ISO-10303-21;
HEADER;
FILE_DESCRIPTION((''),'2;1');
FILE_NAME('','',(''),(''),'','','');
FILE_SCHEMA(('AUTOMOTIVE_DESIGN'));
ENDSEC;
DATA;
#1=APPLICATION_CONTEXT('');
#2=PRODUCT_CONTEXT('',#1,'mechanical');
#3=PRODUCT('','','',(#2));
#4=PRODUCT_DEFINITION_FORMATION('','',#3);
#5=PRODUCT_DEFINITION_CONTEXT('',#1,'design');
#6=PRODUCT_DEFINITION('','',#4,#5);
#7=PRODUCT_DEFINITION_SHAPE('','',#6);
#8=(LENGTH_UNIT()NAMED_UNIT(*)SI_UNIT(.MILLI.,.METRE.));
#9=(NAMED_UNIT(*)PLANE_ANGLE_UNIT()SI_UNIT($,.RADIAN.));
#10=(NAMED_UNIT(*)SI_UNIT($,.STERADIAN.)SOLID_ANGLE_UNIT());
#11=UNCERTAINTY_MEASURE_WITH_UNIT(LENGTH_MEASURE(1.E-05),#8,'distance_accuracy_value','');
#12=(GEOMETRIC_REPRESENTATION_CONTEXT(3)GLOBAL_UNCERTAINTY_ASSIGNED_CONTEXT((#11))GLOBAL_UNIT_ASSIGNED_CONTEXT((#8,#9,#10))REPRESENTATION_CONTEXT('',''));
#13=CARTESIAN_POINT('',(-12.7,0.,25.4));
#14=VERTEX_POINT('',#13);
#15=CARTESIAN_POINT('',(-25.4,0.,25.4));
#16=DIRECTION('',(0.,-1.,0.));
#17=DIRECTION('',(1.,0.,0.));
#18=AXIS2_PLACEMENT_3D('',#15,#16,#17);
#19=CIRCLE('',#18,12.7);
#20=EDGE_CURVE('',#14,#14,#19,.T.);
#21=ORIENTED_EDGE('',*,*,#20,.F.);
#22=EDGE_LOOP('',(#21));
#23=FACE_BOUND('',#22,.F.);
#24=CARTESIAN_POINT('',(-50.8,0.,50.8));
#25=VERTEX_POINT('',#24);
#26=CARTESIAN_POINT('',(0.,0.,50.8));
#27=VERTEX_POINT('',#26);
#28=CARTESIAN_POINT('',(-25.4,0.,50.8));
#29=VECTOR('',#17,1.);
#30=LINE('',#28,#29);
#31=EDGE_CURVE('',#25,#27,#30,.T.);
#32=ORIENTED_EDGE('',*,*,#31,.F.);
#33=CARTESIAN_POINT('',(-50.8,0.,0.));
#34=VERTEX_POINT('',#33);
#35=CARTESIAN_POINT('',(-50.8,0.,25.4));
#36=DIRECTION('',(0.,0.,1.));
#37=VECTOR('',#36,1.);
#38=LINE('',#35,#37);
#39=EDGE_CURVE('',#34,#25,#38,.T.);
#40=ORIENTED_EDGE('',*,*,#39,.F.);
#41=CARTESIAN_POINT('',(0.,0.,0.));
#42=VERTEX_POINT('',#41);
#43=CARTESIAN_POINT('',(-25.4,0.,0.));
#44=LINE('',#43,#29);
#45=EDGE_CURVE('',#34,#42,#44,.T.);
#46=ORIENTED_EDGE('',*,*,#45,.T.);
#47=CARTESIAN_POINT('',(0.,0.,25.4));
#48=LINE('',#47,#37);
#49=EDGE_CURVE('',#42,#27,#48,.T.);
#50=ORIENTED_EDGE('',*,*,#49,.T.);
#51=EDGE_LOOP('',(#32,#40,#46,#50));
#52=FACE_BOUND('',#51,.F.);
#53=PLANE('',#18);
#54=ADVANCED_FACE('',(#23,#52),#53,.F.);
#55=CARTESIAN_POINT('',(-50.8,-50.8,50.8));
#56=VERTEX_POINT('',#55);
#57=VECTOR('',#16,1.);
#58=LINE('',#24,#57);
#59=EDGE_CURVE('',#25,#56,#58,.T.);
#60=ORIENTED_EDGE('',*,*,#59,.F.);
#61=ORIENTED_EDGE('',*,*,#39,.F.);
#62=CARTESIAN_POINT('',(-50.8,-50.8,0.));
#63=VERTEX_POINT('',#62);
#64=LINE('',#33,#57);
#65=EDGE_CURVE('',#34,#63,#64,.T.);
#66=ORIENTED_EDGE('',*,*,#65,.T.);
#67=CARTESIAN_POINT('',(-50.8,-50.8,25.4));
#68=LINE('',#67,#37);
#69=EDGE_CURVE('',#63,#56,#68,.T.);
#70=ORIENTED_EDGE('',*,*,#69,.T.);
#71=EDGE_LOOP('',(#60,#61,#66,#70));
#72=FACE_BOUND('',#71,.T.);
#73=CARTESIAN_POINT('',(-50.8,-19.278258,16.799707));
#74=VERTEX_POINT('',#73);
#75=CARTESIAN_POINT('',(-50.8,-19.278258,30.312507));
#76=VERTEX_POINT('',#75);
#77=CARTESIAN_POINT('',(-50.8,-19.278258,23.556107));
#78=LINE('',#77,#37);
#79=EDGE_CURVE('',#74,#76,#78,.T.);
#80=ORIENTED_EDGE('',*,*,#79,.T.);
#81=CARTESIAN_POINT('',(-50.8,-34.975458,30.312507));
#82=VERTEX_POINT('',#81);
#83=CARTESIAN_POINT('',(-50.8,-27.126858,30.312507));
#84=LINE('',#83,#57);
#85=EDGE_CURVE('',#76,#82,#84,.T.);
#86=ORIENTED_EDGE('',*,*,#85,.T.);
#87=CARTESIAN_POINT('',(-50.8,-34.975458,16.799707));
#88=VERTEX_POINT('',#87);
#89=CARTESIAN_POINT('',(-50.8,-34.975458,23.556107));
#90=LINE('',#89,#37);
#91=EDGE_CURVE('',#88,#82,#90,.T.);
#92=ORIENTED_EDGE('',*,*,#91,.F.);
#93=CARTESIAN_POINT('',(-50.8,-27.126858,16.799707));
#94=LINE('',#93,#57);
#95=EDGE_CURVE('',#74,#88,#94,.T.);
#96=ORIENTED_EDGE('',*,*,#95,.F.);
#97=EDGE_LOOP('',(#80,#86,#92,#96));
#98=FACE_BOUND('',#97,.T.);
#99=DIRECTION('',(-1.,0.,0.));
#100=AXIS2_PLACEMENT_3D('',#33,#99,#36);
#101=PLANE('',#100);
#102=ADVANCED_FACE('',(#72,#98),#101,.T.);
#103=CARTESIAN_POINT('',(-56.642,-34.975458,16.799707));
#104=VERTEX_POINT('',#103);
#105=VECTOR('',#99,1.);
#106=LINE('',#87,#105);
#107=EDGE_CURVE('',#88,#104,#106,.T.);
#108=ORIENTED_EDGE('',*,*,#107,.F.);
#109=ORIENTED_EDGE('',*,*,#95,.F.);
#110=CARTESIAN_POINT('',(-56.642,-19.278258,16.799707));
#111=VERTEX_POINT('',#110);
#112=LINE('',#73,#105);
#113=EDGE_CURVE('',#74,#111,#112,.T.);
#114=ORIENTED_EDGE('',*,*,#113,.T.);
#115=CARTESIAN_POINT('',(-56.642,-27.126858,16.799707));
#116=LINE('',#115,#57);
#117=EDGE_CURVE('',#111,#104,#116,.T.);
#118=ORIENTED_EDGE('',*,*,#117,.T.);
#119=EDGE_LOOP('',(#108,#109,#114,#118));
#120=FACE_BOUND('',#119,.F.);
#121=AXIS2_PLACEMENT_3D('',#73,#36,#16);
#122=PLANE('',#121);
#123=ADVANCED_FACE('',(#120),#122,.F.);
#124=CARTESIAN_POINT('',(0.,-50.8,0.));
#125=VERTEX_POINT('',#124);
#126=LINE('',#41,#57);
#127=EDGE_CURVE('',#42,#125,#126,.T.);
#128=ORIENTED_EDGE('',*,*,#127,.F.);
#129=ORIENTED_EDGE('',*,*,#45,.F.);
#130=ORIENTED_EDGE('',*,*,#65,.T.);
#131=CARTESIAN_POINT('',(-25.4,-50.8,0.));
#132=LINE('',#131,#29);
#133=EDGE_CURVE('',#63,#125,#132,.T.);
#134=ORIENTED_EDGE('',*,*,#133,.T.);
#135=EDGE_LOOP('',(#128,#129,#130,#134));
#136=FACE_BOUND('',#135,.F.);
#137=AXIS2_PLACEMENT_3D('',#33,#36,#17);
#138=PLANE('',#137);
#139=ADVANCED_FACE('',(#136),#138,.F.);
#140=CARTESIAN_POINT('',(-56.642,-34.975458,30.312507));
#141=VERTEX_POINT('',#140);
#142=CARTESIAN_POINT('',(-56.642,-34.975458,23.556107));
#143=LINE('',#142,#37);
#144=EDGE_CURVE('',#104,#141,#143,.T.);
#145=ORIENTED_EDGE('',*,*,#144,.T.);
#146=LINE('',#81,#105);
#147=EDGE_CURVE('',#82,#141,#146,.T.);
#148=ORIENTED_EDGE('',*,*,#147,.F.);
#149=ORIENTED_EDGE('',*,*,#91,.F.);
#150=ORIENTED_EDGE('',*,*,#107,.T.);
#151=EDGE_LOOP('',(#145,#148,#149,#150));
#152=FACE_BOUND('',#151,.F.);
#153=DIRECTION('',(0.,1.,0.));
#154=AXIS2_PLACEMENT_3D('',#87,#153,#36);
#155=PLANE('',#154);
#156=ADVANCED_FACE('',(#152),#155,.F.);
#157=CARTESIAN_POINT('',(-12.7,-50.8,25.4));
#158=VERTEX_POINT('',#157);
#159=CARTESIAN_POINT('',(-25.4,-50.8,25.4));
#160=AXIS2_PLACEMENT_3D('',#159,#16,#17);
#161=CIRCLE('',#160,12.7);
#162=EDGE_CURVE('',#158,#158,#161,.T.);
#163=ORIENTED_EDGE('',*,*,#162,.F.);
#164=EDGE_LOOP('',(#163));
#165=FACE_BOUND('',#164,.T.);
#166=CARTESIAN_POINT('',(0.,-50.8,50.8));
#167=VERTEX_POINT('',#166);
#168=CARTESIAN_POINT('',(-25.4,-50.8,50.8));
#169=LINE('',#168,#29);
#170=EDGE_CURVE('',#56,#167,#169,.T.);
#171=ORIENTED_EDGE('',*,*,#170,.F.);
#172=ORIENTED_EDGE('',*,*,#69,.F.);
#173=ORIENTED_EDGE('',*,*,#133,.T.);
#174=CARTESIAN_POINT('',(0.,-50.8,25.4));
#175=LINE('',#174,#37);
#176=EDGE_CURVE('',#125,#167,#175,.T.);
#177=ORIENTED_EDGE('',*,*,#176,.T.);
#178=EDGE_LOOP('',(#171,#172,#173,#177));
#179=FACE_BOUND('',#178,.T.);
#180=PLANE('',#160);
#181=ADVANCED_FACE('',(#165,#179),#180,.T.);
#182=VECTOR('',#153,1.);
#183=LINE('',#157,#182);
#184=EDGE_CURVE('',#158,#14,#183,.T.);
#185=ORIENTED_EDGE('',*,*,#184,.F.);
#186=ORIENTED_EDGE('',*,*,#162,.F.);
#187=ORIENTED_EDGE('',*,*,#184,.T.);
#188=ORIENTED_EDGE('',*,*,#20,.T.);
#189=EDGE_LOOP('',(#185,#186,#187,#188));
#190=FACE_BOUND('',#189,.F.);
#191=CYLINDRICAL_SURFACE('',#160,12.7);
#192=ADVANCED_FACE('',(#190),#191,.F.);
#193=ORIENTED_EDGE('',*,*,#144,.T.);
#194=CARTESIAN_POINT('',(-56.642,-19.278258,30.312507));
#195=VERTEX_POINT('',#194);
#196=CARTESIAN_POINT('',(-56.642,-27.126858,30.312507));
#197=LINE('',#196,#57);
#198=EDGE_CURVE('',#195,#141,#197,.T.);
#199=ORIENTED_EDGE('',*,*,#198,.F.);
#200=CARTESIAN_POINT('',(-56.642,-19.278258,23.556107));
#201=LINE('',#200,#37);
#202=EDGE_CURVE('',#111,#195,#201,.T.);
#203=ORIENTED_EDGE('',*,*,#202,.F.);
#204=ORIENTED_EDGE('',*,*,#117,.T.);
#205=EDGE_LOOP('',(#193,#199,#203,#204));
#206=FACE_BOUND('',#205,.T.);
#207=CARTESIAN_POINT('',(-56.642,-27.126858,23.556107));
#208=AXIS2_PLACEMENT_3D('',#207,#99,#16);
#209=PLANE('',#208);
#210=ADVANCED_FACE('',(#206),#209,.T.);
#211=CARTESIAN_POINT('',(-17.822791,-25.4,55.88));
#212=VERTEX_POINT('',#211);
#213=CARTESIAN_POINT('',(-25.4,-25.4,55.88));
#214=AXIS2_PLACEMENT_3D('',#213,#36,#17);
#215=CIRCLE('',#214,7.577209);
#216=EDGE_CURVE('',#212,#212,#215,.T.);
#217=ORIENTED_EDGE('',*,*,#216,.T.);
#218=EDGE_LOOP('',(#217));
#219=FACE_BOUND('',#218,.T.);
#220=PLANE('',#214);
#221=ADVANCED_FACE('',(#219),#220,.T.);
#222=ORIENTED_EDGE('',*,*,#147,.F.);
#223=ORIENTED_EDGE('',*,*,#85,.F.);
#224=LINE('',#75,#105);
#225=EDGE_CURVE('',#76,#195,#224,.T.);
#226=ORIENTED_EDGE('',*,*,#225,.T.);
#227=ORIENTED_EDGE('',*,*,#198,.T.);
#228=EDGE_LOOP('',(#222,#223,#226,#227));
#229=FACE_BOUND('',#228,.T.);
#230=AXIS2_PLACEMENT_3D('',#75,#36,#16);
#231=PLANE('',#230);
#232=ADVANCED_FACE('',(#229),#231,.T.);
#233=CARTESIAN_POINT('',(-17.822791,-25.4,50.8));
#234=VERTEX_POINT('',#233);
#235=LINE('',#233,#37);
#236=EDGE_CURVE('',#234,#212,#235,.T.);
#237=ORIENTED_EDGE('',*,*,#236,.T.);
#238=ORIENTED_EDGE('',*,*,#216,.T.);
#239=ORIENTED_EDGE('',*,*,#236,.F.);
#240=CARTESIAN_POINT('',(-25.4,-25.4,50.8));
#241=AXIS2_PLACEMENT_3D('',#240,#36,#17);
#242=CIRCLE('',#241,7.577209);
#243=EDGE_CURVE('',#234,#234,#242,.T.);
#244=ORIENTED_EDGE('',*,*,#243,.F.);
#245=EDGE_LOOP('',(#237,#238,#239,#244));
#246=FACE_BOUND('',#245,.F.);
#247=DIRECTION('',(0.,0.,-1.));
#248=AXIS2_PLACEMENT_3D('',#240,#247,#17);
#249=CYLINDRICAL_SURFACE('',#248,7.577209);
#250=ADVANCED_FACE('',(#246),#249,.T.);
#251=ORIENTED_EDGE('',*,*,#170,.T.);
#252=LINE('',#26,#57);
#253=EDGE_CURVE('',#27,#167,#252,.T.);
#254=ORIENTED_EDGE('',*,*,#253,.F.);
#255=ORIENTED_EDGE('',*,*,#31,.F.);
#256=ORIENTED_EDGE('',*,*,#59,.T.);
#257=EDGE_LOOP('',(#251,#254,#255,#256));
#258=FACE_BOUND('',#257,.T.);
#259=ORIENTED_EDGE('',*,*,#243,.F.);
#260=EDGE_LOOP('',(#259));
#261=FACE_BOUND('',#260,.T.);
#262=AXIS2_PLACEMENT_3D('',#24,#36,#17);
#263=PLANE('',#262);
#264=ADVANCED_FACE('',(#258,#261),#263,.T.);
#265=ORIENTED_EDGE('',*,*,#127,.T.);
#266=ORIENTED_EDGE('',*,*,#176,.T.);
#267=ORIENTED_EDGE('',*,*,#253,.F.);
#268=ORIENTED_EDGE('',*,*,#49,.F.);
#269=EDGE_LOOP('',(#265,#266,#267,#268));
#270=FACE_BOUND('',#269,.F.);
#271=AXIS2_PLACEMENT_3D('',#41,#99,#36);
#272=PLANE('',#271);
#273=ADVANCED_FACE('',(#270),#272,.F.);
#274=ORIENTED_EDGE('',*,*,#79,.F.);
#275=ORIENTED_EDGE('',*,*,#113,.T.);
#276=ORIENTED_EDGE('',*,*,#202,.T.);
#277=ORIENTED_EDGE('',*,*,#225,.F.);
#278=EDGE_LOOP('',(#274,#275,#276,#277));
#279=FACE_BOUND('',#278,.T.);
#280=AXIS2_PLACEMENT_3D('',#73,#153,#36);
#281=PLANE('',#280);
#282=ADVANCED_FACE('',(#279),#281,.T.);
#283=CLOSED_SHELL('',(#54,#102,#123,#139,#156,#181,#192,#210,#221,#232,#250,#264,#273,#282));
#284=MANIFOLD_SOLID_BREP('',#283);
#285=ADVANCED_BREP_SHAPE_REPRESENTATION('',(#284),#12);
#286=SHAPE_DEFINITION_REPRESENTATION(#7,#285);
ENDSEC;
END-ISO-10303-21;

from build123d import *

# Parameters (mm, degrees)
F0_W     = 50.8
F0_H     = 50.8
F1_DEPTH = 50.8
F2_R     = 12.7
F3_DEPTH = 50.8
F4_W     = 15.6972
F4_H     = 13.5128
F5_DEPTH = 5.842
F6_R     = 7.577209
F7_DEPTH = 5.08


with BuildPart() as f1:
    # F0 (on Front) → F1 (new body)
    with BuildSketch(Plane.XZ):
        with Locations((-25.4, 25.4)):
            Rectangle(F0_W, F0_H)
    extrude(amount=F1_DEPTH)

    # F2 (on face) → F3 (cut)
    with BuildSketch(Plane.XZ.offset(50.8)):
        with Locations((-25.4, 25.4)):
            Circle(F2_R)
    extrude(amount=-F3_DEPTH, mode=Mode.SUBTRACT)

    # F4 (on face) → F5 (join)
    with BuildSketch(Plane(origin=(-50.8, 0, 0), x_dir=(0, -1, 0), z_dir=(-1, 0, 0))):
        with Locations((27.126858, 23.556107)):
            Rectangle(F4_W, F4_H)
    extrude(amount=F5_DEPTH)

    # F6 (on face) → F7 (join)
    with BuildSketch(Plane.XY.offset(50.8)):
        with Locations((-25.4, -25.4)):
            Circle(F6_R)
    extrude(amount=F7_DEPTH)


solid = f1.part
